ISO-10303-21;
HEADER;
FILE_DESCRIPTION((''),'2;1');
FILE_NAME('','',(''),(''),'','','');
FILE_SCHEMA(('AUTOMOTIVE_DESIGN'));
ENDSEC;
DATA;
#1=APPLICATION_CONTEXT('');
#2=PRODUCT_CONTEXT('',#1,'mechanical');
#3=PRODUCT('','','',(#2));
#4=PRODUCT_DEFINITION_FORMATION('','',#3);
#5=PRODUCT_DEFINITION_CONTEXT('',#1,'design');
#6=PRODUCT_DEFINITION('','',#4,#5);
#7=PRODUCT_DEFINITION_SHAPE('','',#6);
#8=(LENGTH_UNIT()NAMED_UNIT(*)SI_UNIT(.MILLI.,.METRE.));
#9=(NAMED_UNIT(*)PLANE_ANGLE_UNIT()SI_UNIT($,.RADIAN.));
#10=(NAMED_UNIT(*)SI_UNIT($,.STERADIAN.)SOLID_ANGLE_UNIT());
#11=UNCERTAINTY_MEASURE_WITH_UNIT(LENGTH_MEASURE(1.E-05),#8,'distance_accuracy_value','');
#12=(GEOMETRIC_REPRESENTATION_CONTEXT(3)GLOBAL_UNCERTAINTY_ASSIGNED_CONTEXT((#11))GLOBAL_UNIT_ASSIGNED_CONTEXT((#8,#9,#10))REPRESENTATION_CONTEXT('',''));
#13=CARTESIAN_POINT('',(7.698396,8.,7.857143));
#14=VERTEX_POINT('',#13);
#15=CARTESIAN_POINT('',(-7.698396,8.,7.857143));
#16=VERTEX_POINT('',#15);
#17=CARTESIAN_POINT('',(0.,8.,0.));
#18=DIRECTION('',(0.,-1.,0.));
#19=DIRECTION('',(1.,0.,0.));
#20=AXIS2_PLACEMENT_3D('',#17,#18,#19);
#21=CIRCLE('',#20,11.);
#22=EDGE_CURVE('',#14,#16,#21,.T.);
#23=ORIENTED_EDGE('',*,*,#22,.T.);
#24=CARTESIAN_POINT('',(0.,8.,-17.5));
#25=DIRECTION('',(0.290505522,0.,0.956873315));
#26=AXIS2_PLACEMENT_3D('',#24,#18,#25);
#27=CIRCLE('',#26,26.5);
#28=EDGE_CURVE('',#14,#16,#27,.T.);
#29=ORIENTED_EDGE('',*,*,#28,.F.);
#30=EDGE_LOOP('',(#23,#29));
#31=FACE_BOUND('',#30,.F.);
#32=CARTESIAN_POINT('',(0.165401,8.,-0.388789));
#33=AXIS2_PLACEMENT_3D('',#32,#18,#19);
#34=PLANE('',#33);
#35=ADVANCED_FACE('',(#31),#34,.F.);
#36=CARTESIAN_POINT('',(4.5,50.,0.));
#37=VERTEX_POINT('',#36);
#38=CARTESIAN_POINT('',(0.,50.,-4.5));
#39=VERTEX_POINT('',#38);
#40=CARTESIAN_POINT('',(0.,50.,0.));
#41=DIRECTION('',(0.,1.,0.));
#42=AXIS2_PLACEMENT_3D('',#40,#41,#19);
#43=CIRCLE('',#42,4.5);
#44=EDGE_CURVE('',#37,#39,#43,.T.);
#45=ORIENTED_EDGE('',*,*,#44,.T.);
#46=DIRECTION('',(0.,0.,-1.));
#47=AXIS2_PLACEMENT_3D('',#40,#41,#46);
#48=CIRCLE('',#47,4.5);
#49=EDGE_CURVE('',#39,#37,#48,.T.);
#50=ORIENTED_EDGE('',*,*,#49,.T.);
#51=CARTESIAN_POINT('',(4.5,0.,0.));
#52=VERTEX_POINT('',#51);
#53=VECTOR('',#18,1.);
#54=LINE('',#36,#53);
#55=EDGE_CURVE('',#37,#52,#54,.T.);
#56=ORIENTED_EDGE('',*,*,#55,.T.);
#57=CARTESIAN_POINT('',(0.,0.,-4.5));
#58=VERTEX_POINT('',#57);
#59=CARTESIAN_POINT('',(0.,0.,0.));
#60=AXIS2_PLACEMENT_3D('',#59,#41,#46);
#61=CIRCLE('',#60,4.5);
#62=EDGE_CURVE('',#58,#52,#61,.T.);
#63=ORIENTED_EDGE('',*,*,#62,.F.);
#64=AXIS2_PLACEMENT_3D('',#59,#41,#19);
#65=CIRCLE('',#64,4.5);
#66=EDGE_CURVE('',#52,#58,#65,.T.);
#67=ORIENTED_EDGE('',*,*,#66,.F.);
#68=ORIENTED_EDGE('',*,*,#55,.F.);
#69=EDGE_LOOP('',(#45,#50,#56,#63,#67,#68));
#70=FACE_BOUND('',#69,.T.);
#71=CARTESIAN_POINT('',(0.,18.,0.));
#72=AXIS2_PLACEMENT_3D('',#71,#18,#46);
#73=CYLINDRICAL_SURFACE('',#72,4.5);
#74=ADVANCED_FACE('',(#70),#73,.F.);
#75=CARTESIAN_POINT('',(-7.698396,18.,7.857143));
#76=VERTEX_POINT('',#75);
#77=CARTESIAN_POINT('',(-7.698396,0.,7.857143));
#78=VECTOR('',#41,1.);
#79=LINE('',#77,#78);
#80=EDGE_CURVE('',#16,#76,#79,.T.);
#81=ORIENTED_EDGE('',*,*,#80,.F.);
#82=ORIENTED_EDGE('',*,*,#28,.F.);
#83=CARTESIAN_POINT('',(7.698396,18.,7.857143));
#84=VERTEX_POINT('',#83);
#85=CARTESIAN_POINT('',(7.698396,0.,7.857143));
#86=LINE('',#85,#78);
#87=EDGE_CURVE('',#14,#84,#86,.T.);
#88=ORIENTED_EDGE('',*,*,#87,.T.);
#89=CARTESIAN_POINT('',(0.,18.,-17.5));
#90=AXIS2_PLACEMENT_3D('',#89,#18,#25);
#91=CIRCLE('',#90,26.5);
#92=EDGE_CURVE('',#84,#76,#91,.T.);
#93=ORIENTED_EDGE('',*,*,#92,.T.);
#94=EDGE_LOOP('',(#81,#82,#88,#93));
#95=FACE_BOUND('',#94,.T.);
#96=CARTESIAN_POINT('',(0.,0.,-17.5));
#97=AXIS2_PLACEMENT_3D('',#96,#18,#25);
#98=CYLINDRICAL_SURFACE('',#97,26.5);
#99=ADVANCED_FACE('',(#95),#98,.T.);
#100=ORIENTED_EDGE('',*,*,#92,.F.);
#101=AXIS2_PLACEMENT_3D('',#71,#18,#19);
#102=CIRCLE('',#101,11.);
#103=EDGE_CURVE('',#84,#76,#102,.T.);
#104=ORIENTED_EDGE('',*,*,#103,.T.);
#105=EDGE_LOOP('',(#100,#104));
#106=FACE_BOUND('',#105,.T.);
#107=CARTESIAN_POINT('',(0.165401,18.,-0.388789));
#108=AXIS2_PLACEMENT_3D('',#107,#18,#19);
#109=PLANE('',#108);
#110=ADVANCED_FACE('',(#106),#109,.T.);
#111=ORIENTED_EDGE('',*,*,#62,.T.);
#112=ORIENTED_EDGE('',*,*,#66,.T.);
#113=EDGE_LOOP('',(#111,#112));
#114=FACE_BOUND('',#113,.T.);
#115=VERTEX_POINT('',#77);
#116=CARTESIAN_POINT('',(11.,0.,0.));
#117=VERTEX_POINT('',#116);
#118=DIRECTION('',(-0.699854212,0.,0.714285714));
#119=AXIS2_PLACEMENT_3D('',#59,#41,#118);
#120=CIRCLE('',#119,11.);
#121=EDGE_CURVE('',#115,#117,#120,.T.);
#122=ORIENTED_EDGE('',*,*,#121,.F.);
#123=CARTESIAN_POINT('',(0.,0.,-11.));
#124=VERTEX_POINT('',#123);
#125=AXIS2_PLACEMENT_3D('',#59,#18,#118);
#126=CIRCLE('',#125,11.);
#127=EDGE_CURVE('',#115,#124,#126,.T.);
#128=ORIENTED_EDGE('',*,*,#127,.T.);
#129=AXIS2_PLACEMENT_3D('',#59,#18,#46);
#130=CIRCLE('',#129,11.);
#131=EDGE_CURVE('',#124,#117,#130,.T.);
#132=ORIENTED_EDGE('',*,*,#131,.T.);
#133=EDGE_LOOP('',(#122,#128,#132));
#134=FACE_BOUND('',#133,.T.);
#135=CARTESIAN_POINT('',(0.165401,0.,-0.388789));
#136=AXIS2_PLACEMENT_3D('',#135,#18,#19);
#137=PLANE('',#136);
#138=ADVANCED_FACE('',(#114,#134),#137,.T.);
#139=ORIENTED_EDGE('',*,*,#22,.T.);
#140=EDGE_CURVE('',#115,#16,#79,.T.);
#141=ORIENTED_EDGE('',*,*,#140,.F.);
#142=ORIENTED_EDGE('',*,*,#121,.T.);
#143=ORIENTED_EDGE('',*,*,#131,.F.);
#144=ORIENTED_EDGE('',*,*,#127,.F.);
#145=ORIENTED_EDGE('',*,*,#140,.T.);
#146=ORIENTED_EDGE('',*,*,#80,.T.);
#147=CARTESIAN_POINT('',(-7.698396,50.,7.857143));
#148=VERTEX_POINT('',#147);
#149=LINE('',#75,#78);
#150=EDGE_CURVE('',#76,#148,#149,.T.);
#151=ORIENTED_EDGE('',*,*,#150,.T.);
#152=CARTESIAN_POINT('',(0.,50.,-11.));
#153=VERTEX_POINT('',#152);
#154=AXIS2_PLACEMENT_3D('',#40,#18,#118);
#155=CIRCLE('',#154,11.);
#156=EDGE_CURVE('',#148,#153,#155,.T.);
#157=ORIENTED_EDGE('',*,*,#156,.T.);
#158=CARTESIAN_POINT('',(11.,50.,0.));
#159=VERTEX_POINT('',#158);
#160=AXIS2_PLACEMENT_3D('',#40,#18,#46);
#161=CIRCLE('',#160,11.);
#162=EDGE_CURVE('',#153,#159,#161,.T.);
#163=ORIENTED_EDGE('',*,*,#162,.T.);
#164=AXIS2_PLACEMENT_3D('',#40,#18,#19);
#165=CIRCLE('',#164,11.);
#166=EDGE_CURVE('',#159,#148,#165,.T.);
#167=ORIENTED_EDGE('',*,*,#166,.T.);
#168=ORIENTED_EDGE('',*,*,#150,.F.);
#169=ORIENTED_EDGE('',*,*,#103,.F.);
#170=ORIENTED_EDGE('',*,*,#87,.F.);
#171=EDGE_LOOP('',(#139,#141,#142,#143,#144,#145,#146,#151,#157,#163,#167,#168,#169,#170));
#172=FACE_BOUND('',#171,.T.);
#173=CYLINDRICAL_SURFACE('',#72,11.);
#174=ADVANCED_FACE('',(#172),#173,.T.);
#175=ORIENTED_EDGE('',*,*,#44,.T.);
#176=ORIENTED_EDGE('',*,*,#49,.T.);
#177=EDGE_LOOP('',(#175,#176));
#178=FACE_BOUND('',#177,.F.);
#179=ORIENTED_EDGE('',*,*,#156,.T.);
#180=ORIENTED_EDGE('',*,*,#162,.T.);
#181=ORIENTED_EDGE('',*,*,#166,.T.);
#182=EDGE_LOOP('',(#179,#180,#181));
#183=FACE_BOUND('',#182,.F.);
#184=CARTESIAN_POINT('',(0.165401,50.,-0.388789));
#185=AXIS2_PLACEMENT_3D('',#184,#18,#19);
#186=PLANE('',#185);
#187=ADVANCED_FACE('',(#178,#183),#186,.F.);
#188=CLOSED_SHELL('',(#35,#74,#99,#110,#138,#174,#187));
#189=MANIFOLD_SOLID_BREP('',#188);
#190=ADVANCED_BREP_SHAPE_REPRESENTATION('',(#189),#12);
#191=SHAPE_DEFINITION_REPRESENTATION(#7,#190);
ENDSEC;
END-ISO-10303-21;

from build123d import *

# Parameters (mm, degrees)
F1_DEPTH = 8
F2_DEPTH = 18
F3_START = -18
F3_DEPTH = 32


with BuildPart() as f1:
    # F0 (on Front) → F1 (new body)
    with BuildSketch(Plane.XZ):
        with BuildLine():
            ThreePointArc((0, -11), (7.7781745931, -7.7781745931), (11, 0))
            ThreePointArc((11, 0), (10.1410640388, 4.2613167168), (7.6983963345, 7.8571428571))
            ThreePointArc((7.6983963345, 7.8571428571), (0, 9), (-7.6983963345, 7.8571428571))
            ThreePointArc((-7.6983963345, 7.8571428571), (-10.1840210975, -4.1576092031), (0, -11))
        make_face()
        with BuildLine():
            ThreePointArc((4.5, 0), (3.1819805153, -3.1819805153), (0, -4.5))
            ThreePointArc((0, -4.5), (-3.1819805153, 3.1819805153), (4.5, 0))
        make_face(mode=Mode.SUBTRACT)
        with BuildLine():
            ThreePointArc((-7.6983963345, 7.8571428571), (0, 9), (7.6983963345, 7.8571428571))
            ThreePointArc((7.6983963345, 7.8571428571), (0, 11), (-7.6983963345, 7.8571428571))
        make_face()
    extrude(amount=-F1_DEPTH)

    # F0 (on Front) → F2 (join)
    with BuildSketch(Plane.XZ):
        with BuildLine():
            ThreePointArc((0, -11), (7.7781745931, -7.7781745931), (11, 0))
            ThreePointArc((11, 0), (10.1410640388, 4.2613167168), (7.6983963345, 7.8571428571))
            ThreePointArc((7.6983963345, 7.8571428571), (0, 9), (-7.6983963345, 7.8571428571))
            ThreePointArc((-7.6983963345, 7.8571428571), (-10.1840210975, -4.1576092031), (0, -11))
        make_face()
        with BuildLine():
            ThreePointArc((4.5, 0), (3.1819805153, -3.1819805153), (0, -4.5))
            ThreePointArc((0, -4.5), (-3.1819805153, 3.1819805153), (4.5, 0))
        make_face(mode=Mode.SUBTRACT)
    extrude(amount=-F2_DEPTH)

    # F0 (on Front) → F3 (join)
    with BuildSketch(Plane.XZ.offset(F3_START)):
        with BuildLine():
            ThreePointArc((0, -11), (7.7781745931, -7.7781745931), (11, 0))
            ThreePointArc((11, 0), (10.1410640388, 4.2613167168), (7.6983963345, 7.8571428571))
            ThreePointArc((7.6983963345, 7.8571428571), (0, 9), (-7.6983963345, 7.8571428571))
            ThreePointArc((-7.6983963345, 7.8571428571), (-10.1840210975, -4.1576092031), (0, -11))
        make_face()
        with BuildLine():
            ThreePointArc((4.5, 0), (3.1819805153, -3.1819805153), (0, -4.5))
            ThreePointArc((0, -4.5), (-3.1819805153, 3.1819805153), (4.5, 0))
        make_face(mode=Mode.SUBTRACT)
        with BuildLine():
            ThreePointArc((-7.6983963345, 7.8571428571), (0, 9), (7.6983963345, 7.8571428571))
            ThreePointArc((7.6983963345, 7.8571428571), (0, 11), (-7.6983963345, 7.8571428571))
        make_face()
    extrude(amount=-F3_DEPTH)


solid = f1.part
